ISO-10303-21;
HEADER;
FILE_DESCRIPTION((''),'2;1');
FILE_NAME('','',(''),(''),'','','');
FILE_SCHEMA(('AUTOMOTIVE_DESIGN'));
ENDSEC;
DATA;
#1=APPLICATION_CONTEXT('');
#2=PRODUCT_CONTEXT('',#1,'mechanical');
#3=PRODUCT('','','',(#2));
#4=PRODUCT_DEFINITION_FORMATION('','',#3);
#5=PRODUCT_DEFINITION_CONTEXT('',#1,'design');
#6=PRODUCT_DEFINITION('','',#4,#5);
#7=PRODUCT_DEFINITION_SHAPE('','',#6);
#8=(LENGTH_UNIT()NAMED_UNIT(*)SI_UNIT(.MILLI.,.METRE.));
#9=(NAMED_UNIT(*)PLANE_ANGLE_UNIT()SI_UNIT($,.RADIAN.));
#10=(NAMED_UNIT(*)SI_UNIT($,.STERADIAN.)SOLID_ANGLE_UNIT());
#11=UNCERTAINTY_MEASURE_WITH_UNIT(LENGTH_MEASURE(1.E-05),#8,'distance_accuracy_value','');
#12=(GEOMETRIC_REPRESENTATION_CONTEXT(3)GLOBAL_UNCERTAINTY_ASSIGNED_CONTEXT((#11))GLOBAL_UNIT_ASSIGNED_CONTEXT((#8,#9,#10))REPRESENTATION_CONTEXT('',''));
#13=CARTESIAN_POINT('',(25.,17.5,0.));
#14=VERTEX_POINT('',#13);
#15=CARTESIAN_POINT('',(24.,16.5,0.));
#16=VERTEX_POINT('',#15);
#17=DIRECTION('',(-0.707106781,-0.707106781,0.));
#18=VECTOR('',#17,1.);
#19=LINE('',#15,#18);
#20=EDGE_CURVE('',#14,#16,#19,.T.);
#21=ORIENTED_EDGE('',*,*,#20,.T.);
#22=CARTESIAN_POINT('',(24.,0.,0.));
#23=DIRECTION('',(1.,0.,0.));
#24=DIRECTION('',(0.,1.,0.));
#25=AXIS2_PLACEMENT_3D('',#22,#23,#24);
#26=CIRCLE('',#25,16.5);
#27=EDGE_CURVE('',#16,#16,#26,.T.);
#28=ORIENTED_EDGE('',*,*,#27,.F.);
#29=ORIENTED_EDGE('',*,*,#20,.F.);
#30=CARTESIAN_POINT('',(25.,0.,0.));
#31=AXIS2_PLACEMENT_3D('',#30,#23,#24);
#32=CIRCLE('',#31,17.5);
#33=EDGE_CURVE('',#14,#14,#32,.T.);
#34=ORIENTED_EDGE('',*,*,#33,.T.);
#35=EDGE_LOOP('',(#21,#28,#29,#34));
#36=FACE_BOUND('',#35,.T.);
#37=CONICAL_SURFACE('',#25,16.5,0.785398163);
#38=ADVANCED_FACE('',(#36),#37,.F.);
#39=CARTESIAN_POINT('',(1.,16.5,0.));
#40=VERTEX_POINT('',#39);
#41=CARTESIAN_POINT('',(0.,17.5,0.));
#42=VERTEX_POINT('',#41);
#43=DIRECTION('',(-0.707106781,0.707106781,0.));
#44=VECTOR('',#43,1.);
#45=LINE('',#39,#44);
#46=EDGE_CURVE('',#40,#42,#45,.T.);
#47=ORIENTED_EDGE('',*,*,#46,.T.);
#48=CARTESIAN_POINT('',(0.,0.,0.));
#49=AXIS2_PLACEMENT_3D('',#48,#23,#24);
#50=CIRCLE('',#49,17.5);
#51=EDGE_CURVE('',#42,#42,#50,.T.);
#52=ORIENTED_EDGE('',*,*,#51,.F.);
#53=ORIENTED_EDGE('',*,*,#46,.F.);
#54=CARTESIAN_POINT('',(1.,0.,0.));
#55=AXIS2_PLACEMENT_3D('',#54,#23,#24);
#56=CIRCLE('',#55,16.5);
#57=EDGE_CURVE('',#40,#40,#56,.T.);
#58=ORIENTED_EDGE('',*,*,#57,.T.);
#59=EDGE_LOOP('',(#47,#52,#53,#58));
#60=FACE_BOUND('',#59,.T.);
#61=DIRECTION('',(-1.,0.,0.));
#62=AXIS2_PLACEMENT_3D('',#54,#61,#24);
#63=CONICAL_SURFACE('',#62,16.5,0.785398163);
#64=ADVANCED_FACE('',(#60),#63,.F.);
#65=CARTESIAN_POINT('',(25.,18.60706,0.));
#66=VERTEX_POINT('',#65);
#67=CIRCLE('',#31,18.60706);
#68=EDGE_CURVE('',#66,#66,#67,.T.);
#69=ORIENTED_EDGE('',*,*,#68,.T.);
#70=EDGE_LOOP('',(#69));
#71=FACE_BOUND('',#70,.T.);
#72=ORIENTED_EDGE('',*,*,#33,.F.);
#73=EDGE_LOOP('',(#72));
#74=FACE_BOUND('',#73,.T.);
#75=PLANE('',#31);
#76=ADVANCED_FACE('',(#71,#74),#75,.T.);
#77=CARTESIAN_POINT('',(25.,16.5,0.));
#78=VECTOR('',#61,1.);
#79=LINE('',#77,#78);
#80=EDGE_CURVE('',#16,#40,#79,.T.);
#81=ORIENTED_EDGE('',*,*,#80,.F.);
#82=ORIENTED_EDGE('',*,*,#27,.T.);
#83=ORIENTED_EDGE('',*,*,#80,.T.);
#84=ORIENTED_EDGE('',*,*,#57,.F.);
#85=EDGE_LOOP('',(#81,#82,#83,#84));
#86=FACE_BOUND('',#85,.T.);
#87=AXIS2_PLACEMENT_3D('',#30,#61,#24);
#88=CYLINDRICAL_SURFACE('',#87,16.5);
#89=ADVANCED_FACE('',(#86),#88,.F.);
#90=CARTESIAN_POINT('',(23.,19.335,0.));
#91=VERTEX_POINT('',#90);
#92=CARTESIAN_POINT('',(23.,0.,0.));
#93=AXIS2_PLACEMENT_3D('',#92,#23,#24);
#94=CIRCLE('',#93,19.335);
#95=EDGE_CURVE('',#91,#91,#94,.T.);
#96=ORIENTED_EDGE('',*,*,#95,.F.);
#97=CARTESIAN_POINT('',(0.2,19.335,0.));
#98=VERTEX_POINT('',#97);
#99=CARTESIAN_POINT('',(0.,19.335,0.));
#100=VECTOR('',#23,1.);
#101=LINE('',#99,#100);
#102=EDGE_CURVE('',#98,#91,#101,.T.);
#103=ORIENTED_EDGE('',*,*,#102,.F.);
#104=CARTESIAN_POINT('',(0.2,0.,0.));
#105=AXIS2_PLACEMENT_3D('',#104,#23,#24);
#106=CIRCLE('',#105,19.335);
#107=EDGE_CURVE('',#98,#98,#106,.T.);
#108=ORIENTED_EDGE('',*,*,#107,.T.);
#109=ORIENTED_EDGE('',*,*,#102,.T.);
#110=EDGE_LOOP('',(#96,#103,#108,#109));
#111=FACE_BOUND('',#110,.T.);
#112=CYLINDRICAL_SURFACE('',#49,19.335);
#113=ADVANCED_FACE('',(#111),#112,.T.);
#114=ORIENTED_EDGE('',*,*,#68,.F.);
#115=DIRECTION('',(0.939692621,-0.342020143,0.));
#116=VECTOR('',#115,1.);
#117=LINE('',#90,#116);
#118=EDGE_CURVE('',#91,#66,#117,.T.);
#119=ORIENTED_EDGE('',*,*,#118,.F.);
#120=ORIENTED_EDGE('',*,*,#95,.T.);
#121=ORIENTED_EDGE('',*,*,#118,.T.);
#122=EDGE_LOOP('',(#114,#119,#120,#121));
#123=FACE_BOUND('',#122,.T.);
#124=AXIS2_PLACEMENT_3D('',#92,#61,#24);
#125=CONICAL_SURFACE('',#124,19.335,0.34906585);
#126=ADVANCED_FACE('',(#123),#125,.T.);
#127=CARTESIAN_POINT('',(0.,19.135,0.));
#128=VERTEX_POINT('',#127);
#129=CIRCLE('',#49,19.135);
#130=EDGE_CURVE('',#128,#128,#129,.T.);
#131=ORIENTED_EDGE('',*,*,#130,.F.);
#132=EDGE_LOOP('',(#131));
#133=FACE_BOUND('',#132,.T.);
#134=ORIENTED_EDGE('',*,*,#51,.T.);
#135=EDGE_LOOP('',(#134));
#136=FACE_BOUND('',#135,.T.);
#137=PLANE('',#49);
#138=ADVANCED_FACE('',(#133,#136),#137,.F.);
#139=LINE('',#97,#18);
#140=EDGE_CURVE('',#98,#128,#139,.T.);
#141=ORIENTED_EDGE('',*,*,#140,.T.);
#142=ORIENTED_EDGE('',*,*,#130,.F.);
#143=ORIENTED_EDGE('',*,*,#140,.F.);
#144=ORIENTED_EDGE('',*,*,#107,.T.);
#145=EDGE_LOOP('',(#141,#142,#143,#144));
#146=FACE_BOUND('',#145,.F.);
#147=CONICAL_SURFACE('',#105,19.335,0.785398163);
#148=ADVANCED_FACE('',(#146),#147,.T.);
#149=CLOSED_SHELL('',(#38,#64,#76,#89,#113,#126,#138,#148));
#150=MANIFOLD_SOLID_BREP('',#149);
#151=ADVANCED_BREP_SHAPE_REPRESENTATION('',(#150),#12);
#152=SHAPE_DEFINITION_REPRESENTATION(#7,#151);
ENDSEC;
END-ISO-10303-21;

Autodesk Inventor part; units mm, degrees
ref_plane "YZ Plane" through (0, 0, 0) normal (1, 0, 0) x (0, 1, 0)
ref_plane "XZ Plane" through (0, 0, 0) normal (0, 1, 0) x (-1, 0, 0)
ref_plane "XY Plane" through (0, 0, 0) normal (0, 0, 1) x (1, 0, 0)
sketch "Náčrt1" plane through (0, 0, 0) normal (0, 0, 1) x (1, 0, 0)
  line L0 (0, 0) -> (33.3333, 0)
  line L1 (0, 19.335) -> (25, 19.335)
  line L2 (25, 19.335) -> (25, 16.5)
  line L3 (25, 16.5) -> (0, 16.5)
  line L4 (0, 16.5) -> (0, 19.335)
  dimension "d0" = 25
  dimension "d6" = 38.67
  dimension "d7" = 33
revolve "Rotace1" add sketch "Náčrt1" angle 360 about axis through (0, 0, 0) along (1, 0, 0)
chamfer "Zkosení1" distance 1 angle 45 2 edges at (25, -16.5, 0) (0, -16.5, 0)
chamfer "Zkosení2" distance 0.2 angle 45 1 edges at (0, -19.335, 0)
chamfer "Zkosení4" distance 2 angle 20 1 edges at (25, -19.335, 0) measured on face at (16.7333, 19.2723, -1.5558)
equation "\"Rozmer_A\" = d6"
equation "\"Rozmer_B\" = 0"
equation "\"Rozmer_C\" = 0"
equation "\"Rozmer_D\" = d0"
properties part number "NA-45-h-Crown-157" material "19 573.4"
